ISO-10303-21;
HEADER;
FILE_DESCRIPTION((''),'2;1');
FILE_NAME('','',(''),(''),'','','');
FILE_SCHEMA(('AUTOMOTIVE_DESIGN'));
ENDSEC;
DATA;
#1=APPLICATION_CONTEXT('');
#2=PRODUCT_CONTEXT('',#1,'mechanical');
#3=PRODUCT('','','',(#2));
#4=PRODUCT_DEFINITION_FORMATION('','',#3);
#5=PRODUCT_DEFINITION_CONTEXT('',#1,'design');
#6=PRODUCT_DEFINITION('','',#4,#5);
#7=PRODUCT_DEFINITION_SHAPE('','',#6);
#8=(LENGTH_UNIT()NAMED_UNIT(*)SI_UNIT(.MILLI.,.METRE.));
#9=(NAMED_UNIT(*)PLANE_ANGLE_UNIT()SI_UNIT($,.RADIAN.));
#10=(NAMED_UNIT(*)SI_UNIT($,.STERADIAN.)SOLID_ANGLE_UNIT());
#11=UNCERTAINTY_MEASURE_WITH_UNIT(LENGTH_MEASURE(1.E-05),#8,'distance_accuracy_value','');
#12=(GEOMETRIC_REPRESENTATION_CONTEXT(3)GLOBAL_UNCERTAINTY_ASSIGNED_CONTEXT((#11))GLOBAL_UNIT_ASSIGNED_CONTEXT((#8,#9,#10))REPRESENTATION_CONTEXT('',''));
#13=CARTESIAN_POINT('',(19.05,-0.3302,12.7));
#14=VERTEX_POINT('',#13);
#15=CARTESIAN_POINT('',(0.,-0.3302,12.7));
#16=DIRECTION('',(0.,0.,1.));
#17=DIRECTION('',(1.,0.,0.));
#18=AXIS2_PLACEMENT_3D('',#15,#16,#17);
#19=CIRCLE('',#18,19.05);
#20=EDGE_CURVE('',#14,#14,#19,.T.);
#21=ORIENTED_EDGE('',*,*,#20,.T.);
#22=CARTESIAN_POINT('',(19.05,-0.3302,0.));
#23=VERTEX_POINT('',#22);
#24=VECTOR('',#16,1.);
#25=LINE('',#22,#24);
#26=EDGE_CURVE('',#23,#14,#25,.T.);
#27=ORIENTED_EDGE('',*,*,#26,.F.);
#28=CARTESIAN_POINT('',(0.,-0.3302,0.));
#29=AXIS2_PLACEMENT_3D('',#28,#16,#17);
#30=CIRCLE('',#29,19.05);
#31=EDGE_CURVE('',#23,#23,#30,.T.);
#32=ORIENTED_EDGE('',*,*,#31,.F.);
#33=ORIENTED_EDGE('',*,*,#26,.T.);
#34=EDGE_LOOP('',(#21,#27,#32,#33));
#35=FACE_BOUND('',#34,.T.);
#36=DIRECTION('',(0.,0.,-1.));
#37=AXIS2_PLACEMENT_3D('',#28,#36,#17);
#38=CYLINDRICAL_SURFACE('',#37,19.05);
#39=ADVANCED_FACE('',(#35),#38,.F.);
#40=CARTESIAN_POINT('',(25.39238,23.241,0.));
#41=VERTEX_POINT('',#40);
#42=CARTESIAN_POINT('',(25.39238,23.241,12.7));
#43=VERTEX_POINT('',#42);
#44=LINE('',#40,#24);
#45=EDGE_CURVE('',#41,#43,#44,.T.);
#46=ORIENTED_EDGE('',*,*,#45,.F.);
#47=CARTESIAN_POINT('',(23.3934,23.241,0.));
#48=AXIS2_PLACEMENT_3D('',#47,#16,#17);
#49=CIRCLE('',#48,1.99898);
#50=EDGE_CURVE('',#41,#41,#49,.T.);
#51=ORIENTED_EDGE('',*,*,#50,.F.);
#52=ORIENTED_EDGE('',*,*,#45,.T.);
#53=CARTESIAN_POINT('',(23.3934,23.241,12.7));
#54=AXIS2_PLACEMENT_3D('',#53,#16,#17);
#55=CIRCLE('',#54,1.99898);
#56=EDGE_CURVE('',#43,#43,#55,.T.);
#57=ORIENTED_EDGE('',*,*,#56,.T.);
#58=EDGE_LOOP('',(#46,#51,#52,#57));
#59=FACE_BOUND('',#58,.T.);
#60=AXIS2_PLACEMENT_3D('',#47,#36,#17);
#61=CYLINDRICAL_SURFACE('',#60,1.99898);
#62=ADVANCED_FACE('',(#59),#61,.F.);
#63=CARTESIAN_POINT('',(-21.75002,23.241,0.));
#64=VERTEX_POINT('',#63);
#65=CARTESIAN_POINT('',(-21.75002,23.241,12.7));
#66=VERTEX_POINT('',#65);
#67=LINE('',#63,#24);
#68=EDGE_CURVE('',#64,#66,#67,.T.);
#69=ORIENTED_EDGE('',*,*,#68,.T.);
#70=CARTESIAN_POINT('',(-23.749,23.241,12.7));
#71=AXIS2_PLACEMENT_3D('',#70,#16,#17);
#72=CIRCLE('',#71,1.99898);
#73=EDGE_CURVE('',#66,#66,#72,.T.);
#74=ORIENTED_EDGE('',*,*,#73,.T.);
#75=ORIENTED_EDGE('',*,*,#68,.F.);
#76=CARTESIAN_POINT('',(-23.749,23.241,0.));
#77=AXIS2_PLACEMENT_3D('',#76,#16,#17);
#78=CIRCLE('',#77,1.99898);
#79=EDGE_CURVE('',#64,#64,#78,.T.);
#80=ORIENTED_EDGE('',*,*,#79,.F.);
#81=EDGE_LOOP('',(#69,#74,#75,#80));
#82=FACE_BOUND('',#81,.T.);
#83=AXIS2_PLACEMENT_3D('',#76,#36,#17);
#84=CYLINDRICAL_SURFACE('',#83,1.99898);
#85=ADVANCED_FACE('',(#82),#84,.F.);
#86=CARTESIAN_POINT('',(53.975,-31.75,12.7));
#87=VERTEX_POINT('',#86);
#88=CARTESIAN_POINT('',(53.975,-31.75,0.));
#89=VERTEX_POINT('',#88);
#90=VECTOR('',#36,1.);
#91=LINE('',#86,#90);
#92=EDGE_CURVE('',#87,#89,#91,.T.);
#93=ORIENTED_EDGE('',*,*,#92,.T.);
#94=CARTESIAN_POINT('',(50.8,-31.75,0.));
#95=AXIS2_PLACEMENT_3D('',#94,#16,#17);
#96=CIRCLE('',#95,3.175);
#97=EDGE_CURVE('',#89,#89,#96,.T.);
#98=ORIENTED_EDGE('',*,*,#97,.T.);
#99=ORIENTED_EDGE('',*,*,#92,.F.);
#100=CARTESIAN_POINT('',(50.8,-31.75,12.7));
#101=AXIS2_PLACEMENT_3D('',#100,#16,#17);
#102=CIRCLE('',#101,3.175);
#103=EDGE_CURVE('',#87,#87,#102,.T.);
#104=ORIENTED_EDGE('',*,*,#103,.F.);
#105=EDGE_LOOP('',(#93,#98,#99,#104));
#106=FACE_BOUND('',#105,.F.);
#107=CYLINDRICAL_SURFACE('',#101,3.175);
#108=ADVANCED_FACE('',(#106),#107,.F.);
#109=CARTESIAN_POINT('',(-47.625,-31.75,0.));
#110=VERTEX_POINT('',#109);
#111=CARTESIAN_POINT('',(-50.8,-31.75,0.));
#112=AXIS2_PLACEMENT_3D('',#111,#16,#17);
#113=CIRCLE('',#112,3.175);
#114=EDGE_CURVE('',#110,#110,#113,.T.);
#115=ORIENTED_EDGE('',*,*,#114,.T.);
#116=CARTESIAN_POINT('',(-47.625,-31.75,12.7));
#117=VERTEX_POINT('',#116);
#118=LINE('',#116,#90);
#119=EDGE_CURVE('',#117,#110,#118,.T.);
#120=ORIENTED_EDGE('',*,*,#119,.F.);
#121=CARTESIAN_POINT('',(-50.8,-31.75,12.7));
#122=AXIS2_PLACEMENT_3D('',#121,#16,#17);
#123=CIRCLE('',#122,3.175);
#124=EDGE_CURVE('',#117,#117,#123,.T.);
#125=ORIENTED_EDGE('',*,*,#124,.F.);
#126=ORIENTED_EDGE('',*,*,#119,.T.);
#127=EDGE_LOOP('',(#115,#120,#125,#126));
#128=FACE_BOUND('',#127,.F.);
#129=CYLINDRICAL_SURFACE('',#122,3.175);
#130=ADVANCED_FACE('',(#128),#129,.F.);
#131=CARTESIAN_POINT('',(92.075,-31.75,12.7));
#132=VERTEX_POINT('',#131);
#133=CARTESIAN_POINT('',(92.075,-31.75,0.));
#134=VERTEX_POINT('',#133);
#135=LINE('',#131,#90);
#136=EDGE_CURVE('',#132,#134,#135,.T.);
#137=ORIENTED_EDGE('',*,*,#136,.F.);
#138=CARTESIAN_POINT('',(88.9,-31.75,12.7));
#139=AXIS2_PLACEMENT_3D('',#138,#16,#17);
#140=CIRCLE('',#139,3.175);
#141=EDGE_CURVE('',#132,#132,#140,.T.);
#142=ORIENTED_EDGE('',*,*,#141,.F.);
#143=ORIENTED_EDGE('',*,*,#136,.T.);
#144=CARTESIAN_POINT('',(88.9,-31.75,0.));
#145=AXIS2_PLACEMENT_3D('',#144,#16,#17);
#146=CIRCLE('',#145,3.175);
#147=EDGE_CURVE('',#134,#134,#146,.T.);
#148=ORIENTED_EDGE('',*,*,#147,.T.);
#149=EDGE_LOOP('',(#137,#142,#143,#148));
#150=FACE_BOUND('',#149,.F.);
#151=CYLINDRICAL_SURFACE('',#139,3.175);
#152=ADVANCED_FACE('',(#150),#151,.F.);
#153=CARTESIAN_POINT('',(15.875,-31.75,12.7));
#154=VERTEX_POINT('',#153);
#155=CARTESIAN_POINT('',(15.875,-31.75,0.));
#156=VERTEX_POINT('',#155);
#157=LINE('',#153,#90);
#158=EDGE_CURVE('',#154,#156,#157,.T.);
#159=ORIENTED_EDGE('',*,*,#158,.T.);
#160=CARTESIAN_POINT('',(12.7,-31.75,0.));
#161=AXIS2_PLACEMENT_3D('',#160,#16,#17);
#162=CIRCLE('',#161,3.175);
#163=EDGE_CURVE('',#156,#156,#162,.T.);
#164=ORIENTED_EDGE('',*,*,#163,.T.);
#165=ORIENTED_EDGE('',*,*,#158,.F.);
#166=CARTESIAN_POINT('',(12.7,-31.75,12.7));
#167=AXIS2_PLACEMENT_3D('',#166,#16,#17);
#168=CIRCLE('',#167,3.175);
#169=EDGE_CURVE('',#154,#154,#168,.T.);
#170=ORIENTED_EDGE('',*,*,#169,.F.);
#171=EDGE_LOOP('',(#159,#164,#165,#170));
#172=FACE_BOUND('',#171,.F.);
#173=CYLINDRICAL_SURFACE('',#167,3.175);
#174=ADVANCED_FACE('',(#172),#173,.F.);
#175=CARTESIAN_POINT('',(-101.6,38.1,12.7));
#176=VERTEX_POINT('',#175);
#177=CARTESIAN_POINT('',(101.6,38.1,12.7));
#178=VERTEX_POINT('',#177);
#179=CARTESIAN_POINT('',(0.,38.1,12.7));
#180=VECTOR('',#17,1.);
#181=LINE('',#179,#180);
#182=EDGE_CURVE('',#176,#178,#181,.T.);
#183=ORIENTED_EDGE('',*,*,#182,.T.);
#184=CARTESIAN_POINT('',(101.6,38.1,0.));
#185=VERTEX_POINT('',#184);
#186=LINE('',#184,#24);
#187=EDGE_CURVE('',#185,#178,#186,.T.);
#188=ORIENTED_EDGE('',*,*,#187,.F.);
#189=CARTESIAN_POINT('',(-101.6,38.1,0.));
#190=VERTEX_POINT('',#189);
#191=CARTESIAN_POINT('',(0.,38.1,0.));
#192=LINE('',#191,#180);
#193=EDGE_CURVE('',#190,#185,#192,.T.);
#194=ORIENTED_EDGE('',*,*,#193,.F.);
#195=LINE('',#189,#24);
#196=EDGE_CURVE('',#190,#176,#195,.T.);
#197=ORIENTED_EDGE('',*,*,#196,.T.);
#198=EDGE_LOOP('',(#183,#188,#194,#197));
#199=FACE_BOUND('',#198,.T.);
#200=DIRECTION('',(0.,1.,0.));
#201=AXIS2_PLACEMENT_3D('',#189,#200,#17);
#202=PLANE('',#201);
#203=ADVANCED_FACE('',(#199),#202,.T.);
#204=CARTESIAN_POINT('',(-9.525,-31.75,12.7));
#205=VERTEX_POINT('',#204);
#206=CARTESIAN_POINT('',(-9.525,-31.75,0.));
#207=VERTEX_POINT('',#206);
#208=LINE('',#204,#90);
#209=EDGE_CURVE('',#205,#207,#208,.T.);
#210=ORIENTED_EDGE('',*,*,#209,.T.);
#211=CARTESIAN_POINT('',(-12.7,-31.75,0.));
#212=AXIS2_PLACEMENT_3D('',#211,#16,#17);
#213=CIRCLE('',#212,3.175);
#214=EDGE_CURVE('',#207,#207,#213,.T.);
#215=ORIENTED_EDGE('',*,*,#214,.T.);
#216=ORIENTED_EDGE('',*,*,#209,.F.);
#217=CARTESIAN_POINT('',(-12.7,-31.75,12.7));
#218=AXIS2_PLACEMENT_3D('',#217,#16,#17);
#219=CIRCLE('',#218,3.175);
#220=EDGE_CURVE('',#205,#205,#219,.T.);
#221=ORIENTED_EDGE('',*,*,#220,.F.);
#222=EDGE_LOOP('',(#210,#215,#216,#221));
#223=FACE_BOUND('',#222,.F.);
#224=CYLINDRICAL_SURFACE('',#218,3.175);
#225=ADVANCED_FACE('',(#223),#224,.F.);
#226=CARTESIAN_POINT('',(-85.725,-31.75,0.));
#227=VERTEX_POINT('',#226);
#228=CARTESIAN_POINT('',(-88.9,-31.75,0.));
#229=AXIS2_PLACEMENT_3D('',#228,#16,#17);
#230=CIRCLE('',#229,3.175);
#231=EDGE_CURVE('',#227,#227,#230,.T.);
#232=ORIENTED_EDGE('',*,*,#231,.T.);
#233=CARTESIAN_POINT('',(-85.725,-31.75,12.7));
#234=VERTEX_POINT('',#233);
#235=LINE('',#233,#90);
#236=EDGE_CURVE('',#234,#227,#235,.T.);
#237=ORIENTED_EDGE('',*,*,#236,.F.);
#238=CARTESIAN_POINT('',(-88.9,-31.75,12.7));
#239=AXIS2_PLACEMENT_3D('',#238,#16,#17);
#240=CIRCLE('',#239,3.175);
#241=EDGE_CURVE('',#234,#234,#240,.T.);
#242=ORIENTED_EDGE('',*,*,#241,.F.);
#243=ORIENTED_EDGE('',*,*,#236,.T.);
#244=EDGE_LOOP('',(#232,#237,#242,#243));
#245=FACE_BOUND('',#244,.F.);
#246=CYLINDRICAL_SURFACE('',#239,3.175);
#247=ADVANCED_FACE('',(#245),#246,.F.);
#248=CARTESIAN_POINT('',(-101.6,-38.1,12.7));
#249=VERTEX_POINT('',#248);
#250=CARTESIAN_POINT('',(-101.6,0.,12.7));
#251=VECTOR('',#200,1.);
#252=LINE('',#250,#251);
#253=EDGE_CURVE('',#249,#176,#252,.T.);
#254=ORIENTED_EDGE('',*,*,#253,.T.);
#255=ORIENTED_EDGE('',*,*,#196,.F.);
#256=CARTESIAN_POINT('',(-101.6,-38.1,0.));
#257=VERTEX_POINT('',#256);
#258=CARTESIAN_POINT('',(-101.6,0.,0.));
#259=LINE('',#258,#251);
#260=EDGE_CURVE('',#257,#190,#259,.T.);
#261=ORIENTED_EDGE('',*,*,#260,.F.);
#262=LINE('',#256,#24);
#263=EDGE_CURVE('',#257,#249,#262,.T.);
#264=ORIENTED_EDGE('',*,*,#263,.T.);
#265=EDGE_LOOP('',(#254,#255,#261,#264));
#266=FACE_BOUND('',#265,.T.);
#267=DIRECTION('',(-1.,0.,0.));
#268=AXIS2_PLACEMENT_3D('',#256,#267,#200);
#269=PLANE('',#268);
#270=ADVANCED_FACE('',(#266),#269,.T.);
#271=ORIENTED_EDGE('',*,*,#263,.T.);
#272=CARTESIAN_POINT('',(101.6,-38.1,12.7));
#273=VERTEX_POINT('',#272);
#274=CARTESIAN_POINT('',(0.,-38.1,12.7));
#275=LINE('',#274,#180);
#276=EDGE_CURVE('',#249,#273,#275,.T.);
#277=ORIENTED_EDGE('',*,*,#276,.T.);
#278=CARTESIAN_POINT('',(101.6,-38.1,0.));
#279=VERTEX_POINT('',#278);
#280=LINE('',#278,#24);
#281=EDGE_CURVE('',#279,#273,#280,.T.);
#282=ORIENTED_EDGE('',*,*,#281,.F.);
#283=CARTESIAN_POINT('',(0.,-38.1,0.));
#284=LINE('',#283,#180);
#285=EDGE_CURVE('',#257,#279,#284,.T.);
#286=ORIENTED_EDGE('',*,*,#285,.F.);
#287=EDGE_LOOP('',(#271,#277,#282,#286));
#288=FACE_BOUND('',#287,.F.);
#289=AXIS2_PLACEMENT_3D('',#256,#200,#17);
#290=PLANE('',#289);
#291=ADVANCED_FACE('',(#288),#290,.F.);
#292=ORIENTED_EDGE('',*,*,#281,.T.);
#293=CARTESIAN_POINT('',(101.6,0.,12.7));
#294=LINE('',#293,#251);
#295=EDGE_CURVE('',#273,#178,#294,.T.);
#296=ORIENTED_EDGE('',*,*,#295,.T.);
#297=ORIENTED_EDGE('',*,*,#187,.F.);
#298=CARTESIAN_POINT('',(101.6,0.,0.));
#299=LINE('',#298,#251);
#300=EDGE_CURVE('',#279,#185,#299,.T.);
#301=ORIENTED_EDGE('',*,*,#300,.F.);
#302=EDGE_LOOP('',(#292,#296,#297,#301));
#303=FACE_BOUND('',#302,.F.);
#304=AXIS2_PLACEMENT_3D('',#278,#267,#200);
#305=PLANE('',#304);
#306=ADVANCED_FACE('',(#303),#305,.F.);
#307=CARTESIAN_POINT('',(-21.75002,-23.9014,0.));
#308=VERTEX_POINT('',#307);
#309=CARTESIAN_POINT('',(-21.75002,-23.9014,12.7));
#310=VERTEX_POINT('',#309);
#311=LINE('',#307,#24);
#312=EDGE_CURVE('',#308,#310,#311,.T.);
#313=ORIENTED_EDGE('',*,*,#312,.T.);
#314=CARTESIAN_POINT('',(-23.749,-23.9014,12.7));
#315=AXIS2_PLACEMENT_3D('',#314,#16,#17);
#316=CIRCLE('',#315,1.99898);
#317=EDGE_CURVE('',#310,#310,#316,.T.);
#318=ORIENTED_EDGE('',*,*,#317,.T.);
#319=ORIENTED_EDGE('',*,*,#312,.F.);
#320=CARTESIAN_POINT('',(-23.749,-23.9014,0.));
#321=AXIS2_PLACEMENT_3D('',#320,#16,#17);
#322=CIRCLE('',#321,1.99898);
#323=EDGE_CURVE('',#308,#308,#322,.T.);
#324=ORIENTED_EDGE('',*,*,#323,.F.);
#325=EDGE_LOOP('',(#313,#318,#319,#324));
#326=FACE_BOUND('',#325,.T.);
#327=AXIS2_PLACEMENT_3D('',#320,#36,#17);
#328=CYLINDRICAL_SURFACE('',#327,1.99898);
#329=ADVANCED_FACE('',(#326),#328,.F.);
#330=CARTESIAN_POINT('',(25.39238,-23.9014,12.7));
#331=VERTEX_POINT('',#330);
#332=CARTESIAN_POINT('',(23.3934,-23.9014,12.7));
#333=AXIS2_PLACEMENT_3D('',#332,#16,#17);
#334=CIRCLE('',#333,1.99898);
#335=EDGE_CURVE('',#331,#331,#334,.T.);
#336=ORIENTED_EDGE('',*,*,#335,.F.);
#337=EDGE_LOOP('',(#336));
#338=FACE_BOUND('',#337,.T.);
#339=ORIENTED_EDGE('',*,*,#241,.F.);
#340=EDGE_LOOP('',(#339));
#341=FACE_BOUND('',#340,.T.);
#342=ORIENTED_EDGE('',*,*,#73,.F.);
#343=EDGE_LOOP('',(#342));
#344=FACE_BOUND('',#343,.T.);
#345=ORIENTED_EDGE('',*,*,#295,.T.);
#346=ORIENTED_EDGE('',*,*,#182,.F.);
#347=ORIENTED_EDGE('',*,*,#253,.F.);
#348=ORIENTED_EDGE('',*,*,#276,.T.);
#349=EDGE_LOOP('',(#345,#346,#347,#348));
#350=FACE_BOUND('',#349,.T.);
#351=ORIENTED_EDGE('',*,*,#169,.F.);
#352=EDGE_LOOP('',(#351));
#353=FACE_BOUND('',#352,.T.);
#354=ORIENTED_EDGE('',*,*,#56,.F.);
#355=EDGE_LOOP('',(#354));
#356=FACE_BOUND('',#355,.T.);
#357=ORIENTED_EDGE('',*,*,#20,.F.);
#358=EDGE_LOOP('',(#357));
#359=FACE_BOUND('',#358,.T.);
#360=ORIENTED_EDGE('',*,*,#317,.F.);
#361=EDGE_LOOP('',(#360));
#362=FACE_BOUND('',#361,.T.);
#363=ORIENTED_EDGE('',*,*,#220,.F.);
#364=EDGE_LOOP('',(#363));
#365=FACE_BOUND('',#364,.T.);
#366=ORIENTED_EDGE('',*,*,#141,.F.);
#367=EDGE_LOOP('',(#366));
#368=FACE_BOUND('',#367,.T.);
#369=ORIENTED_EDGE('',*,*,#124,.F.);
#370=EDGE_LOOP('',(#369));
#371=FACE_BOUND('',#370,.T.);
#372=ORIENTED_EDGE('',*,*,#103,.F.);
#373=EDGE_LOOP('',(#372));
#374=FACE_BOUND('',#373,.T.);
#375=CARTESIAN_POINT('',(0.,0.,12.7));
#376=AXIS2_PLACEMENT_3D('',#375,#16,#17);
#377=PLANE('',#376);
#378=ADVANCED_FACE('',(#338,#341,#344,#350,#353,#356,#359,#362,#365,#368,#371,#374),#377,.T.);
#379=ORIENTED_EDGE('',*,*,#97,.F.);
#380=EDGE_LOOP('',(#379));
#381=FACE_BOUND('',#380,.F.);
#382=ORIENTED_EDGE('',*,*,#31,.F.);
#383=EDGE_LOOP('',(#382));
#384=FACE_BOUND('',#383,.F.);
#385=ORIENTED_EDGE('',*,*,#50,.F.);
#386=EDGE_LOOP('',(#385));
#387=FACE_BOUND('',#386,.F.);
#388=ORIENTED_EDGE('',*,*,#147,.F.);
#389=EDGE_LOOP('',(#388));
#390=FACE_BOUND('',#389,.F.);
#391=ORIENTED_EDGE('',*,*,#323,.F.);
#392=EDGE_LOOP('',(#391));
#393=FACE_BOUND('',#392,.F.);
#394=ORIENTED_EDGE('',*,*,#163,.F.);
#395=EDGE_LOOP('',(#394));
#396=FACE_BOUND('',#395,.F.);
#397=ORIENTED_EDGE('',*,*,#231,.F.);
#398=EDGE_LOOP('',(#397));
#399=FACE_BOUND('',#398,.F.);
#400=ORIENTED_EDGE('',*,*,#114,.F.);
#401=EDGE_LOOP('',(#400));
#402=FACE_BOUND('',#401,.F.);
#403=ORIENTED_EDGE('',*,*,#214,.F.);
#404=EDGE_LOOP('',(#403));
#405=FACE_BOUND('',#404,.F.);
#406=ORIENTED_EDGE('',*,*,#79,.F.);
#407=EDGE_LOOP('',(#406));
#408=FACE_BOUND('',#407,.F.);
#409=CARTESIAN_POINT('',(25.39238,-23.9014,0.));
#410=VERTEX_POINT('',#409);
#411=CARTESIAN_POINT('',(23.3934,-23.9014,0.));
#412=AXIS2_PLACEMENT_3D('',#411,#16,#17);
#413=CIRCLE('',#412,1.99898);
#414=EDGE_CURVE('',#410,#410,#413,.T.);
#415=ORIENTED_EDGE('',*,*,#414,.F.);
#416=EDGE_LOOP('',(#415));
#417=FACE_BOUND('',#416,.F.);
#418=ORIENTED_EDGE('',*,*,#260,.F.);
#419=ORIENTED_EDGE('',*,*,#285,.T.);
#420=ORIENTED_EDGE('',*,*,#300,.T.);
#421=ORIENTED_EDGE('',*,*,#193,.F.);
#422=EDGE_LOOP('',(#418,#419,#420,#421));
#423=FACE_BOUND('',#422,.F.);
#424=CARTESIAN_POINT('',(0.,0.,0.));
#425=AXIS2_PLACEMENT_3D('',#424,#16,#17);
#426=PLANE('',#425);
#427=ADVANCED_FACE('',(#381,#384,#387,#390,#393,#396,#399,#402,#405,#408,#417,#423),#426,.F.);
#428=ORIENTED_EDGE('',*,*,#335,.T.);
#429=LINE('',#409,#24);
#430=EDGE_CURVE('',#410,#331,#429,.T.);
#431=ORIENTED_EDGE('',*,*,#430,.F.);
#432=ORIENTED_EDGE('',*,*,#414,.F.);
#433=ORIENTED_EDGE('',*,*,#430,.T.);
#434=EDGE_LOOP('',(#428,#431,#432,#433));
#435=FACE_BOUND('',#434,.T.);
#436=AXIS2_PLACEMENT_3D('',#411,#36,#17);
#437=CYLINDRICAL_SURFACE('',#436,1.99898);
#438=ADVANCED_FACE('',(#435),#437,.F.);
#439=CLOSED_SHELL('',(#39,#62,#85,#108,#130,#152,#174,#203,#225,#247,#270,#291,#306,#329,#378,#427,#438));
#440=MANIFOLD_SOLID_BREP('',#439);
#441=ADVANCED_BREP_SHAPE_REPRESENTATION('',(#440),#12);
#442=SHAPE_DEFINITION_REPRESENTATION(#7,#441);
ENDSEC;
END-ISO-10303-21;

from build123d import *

# Parameters (mm, degrees)
F0_W     = 203.2
F0_H     = 76.2
F0_R     = 1.99898
F0_R_2   = 19.05
F1_DEPTH = 12.7
F2_R     = 3.175
F3_DEPTH = 12.701


with BuildPart() as f1:
    # F0 (on Top) → F1 (new body)
    with BuildSketch(Plane.XY):
        Rectangle(F0_W, F0_H)
        with Locations((-23.749, -23.9014)):
            Circle(F0_R, mode=Mode.SUBTRACT)
        with Locations((0, -0.3302)):
            Circle(F0_R_2, mode=Mode.SUBTRACT)
        with Locations((23.3934, -23.9014)):
            Circle(F0_R, mode=Mode.SUBTRACT)
        with Locations((-23.749, 23.241)):
            Circle(F0_R, mode=Mode.SUBTRACT)
        with Locations((23.3934, 23.241)):
            Circle(F0_R, mode=Mode.SUBTRACT)
    extrude(amount=F1_DEPTH)

    # F2 (on face) → F3 (cut, through all)
    with BuildSketch(Plane.XY.offset(12.7)):
        with Locations((-88.9, -31.75)):
            Circle(F2_R)
        with Locations((-50.8, -31.75)):
            Circle(F2_R)
        with Locations((-12.7, -31.75)):
            Circle(F2_R)
        with Locations((12.7, -31.75)):
            Circle(F2_R)
        with Locations((50.8, -31.75)):
            Circle(F2_R)
        with Locations((88.9, -31.75)):
            Circle(F2_R)
    extrude(amount=-F3_DEPTH, mode=Mode.SUBTRACT)


solid = f1.part
